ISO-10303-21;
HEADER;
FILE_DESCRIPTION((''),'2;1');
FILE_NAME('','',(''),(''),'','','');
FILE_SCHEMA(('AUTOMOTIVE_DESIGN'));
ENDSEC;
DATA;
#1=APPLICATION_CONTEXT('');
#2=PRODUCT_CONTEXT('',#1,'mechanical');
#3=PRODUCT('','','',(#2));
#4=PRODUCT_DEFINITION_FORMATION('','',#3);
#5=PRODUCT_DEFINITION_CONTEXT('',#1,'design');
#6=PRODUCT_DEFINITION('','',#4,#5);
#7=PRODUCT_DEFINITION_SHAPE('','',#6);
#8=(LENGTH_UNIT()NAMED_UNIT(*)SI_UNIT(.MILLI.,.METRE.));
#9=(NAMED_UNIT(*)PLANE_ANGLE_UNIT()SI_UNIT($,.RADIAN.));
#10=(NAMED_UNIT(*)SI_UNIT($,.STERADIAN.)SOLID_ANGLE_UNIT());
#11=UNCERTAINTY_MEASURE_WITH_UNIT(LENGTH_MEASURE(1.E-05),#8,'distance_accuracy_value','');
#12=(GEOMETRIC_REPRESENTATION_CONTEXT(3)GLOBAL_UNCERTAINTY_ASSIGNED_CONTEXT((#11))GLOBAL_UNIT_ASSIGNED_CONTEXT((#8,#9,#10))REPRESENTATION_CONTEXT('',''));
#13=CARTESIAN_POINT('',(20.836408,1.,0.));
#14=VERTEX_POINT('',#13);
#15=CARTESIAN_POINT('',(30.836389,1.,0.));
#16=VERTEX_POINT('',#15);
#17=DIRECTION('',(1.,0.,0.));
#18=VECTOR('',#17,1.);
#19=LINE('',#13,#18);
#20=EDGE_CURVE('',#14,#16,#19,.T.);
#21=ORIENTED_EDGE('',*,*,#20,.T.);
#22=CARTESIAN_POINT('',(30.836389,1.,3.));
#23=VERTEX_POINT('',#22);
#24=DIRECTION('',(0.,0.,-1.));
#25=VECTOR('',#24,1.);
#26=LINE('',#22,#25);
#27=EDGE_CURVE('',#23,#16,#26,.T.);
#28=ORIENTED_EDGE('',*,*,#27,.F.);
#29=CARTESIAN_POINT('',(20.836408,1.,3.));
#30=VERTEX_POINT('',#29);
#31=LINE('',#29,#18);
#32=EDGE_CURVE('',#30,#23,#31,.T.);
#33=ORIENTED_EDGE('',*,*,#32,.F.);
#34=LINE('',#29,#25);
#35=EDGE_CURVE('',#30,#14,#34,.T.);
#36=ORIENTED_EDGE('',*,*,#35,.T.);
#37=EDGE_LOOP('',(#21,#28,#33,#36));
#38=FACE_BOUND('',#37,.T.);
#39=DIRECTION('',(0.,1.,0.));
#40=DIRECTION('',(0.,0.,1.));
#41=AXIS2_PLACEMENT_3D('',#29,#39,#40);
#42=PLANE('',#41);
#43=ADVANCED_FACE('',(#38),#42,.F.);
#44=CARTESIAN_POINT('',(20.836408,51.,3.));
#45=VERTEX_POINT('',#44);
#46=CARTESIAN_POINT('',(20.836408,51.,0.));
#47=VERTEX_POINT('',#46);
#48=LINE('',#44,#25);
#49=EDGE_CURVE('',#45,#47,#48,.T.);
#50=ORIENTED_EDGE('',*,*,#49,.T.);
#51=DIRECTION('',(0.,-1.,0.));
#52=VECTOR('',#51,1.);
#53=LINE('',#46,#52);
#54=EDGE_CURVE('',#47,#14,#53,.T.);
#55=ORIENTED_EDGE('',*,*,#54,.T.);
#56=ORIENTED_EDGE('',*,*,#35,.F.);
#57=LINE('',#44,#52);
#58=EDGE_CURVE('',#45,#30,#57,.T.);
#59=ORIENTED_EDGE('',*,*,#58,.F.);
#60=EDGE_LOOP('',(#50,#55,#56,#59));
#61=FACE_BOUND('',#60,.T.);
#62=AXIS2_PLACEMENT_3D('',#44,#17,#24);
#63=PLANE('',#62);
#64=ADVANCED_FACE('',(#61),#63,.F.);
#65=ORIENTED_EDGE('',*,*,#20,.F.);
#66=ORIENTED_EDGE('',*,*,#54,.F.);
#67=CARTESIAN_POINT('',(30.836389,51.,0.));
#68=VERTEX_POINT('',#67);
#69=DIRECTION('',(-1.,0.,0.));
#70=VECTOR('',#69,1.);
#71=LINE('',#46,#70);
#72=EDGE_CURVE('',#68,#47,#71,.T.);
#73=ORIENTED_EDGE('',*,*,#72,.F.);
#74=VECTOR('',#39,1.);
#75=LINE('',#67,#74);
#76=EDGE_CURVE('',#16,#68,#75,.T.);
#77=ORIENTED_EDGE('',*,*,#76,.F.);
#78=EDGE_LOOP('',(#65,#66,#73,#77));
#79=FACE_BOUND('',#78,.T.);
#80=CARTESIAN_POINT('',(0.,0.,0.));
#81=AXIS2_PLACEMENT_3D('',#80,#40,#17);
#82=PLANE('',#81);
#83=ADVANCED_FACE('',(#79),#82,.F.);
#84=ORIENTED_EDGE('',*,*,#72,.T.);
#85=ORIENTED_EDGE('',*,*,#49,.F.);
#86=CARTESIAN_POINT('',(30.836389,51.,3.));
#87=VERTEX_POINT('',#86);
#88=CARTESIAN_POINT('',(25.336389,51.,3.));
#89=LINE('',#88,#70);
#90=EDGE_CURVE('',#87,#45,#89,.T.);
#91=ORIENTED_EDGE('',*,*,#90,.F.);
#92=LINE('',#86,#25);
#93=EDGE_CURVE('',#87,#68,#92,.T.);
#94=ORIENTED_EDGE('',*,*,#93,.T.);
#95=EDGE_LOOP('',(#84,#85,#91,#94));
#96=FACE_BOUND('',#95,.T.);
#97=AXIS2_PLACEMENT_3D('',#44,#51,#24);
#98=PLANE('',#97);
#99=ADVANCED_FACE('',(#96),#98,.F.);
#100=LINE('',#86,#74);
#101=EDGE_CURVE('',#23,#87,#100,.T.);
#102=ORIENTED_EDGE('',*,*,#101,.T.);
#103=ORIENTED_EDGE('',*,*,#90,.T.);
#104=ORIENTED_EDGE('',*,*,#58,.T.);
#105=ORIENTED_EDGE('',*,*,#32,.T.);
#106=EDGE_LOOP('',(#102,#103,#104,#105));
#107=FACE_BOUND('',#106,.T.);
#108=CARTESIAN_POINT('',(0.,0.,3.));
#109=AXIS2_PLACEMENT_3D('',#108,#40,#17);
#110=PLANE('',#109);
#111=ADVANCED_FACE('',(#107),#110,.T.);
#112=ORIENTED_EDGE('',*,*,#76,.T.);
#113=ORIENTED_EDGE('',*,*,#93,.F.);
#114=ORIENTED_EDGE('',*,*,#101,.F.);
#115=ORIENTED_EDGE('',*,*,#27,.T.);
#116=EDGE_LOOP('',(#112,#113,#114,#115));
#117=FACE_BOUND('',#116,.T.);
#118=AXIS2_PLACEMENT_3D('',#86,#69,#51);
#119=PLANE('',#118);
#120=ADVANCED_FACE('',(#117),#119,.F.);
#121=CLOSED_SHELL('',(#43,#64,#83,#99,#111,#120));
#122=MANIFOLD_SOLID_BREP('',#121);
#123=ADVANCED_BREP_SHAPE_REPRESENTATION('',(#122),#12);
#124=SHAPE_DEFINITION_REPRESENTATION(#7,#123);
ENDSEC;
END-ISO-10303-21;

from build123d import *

# Parameters (mm, degrees)
SALIENTE_EXTRUIR1_DEPTH = 3


with BuildPart() as part:
    # Model → Saliente-Extruir1 (new body)
    with BuildSketch(Plane.XY):
        Polygon((20.836408092, 1), (30.836388632, 1), (30.836388632, 51), (25.336388632, 51), (20.836408092, 51), align=None)
    extrude(amount=SALIENTE_EXTRUIR1_DEPTH)


solid = part.part
